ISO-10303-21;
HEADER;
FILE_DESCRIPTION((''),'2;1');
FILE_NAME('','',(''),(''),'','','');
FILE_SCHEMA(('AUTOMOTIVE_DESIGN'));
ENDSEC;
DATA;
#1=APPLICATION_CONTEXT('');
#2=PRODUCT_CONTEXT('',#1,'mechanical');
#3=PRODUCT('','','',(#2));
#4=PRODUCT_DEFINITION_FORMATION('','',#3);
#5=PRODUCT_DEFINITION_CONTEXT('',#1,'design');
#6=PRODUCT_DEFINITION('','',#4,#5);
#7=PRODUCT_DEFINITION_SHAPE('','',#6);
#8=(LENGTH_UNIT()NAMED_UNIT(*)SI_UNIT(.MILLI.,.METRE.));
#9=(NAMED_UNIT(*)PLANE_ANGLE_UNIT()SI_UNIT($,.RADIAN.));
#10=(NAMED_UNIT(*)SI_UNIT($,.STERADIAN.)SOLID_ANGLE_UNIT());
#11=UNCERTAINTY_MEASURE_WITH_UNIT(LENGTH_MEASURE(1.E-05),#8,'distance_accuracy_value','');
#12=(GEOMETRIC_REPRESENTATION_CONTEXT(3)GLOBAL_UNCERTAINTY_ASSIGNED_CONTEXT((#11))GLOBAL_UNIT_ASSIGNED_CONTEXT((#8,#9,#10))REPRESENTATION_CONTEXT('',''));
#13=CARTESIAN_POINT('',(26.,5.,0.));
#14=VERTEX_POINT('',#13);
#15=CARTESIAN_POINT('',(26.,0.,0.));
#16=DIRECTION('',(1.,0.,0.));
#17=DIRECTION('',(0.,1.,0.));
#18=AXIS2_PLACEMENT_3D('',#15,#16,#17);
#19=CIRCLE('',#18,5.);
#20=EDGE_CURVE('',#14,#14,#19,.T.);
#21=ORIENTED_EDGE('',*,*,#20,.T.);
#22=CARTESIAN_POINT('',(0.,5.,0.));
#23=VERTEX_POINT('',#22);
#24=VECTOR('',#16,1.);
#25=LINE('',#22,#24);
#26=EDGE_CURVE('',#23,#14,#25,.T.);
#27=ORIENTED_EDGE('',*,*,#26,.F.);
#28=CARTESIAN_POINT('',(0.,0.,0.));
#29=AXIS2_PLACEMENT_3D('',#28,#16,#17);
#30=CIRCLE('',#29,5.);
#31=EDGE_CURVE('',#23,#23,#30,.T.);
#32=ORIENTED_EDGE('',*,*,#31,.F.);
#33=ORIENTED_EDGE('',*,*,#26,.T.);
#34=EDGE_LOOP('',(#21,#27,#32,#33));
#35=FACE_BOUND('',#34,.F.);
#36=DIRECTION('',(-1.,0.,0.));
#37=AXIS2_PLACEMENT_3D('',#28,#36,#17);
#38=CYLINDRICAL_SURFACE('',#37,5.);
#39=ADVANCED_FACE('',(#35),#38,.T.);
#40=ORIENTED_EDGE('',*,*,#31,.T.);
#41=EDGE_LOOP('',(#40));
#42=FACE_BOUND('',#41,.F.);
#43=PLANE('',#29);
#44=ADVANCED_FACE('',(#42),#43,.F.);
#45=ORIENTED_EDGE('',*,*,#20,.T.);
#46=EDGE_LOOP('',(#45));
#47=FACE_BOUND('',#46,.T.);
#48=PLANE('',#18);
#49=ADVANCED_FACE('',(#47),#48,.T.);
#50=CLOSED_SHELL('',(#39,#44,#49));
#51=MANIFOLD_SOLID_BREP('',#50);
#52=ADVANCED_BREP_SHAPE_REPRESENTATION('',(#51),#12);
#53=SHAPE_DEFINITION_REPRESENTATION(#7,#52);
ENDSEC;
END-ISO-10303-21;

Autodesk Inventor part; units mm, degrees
ref_plane "YZ Plane" through (0, 0, 0) normal (1, 0, 0) x (0, 1, 0)
ref_plane "XZ Plane" through (0, 0, 0) normal (0, 1, 0) x (-1, 0, 0)
ref_plane "XY Plane" through (0, 0, 0) normal (0, 0, 1) x (1, 0, 0)
sketch "スケッチ1" plane through (0, 0, 0) normal (1, 0, 0) x (0, 1, 0)
  circle A0 centre (0, 0) radius 5
  dimension "d0" = 10
extrude "押し出し1" add sketch "スケッチ1" along normal blind 26
properties part number "RZvector-v1-Shaft-P-Shaft-1"
